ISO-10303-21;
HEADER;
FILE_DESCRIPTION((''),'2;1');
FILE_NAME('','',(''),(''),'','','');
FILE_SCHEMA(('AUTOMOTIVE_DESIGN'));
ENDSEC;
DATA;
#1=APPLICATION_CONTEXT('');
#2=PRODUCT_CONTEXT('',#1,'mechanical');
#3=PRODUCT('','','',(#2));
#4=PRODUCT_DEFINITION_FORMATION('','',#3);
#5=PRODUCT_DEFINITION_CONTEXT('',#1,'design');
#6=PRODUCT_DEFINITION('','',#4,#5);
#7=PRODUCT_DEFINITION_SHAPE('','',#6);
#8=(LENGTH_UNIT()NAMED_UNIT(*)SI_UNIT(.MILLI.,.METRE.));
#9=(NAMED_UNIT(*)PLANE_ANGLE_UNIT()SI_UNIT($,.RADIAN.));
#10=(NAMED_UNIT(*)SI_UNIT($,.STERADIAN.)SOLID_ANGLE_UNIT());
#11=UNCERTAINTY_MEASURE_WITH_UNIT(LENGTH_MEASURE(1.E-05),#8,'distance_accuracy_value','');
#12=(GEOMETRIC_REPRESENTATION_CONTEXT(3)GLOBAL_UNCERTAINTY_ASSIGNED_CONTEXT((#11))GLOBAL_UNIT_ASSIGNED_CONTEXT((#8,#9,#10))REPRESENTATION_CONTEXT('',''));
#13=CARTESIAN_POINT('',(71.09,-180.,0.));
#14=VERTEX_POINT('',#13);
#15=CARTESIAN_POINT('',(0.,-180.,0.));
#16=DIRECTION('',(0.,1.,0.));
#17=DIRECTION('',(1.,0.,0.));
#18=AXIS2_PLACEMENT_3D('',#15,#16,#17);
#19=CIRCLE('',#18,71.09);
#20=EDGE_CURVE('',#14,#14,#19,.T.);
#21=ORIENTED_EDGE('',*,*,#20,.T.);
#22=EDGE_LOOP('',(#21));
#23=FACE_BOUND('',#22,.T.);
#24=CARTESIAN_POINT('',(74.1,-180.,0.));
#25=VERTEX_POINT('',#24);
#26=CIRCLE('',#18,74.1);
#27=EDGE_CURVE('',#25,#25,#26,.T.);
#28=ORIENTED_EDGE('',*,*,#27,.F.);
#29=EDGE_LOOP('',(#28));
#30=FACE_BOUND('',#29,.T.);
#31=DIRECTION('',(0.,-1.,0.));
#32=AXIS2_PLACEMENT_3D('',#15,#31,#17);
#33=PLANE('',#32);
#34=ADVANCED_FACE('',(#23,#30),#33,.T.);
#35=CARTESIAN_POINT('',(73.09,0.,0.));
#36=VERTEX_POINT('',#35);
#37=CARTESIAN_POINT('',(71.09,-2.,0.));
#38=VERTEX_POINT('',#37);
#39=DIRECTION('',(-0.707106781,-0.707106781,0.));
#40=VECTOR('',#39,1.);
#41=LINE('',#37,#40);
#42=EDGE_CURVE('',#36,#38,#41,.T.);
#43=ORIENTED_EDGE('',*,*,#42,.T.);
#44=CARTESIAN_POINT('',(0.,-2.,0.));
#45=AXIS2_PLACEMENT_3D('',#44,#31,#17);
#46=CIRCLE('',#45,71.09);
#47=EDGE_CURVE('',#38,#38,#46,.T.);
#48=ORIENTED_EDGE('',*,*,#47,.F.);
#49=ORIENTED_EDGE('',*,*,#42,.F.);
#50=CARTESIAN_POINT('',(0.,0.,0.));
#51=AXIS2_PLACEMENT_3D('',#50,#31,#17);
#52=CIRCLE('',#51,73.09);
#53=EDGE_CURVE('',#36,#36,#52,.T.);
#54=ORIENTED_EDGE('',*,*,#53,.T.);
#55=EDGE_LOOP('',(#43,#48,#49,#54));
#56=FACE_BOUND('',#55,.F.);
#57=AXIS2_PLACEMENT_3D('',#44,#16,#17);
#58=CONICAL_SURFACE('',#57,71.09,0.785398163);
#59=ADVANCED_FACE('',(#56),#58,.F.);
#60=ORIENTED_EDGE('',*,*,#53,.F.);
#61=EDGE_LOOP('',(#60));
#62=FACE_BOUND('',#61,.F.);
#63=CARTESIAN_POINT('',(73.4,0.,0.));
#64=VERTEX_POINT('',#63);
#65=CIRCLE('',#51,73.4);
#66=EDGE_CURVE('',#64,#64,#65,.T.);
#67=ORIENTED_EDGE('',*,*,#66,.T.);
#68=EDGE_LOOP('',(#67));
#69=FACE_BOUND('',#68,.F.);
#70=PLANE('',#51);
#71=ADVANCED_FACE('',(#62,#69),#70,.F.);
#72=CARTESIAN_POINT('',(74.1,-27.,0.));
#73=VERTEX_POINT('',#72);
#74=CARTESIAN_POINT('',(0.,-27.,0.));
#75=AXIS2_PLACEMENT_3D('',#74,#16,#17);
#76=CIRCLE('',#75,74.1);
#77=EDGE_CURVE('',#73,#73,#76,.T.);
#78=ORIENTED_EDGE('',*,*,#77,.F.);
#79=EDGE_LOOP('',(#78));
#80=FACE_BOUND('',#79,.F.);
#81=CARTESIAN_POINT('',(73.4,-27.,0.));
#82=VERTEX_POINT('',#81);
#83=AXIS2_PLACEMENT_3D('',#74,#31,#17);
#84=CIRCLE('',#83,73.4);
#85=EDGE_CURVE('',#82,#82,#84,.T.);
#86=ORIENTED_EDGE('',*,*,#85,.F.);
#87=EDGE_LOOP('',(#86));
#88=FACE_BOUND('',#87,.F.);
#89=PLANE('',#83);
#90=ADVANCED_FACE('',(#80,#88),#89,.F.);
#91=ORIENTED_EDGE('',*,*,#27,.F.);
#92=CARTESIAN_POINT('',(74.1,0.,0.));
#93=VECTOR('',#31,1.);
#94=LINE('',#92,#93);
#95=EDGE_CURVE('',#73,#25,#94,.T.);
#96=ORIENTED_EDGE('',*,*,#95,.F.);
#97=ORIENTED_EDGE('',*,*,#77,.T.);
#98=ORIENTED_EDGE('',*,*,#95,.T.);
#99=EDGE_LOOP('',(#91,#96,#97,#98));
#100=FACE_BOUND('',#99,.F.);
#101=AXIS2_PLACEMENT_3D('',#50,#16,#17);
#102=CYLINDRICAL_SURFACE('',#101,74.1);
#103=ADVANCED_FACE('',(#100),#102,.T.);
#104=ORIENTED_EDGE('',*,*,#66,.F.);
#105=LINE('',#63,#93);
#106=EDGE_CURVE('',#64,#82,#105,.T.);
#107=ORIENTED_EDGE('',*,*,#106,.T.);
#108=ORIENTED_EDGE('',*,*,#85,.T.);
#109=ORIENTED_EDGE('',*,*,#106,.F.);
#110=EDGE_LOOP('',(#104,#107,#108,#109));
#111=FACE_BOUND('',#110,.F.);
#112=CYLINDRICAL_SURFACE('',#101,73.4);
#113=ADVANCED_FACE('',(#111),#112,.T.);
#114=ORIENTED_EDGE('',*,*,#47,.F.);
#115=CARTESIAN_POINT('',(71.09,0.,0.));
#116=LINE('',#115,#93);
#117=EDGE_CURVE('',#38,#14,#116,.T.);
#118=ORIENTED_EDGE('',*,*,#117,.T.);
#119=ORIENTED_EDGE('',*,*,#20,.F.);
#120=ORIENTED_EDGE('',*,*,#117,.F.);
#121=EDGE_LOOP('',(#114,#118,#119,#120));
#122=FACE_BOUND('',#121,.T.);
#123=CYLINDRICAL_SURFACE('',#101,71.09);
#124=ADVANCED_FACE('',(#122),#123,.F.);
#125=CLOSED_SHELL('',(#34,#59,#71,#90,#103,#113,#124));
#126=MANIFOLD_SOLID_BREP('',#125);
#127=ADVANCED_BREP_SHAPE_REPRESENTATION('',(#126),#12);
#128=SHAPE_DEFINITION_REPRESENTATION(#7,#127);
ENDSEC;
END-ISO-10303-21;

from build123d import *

# Parameters (mm, degrees)
F0_R     = 74.1
F0_R_2   = 71.09
F1_DEPTH = 260
F2_R     = 78.65
F2_R_2   = 73.4
F3_DEPTH = 27
F4_R     = 74.1
F4_R_2   = 73.4
F5_DEPTH = 27
F6_SIZE  = 2
F7_R     = 95.050876
F7_R_2   = 7.411158
F8_DEPTH = 80


with BuildPart() as f1:
    # F0 (on Front) → F1 (new body)
    with BuildSketch(Plane.XZ):
        Circle(F0_R)
        Circle(F0_R_2, mode=Mode.SUBTRACT)
    extrude(amount=F1_DEPTH)

    # F2 (on Front) → F3 (cut)
    with BuildSketch(Plane.XZ):
        Circle(F2_R)
        Circle(F2_R_2, mode=Mode.SUBTRACT)
    extrude(amount=F3_DEPTH, mode=Mode.SUBTRACT)

    # F4 (on face) → F5 (cut)
    with BuildSketch(Plane.XZ.offset(260)):
        Circle(F4_R)
        Circle(F4_R_2, mode=Mode.SUBTRACT)
    extrude(amount=-F5_DEPTH, mode=Mode.SUBTRACT)

    # F6
    f6_edges = [f1.edges().sort_by_distance(p)[0] for p in [
        (-71.09, -260, 0),
        (-71.09, 0, 0),
    ]]
    chamfer(f6_edges, length=F6_SIZE)

    # F7 (on face) → F8 (cut)
    with BuildSketch(Plane.XZ.offset(260)):
        Circle(F7_R)
        Circle(F7_R_2, mode=Mode.SUBTRACT)
    extrude(amount=-F8_DEPTH, mode=Mode.SUBTRACT)


solid = f1.part
